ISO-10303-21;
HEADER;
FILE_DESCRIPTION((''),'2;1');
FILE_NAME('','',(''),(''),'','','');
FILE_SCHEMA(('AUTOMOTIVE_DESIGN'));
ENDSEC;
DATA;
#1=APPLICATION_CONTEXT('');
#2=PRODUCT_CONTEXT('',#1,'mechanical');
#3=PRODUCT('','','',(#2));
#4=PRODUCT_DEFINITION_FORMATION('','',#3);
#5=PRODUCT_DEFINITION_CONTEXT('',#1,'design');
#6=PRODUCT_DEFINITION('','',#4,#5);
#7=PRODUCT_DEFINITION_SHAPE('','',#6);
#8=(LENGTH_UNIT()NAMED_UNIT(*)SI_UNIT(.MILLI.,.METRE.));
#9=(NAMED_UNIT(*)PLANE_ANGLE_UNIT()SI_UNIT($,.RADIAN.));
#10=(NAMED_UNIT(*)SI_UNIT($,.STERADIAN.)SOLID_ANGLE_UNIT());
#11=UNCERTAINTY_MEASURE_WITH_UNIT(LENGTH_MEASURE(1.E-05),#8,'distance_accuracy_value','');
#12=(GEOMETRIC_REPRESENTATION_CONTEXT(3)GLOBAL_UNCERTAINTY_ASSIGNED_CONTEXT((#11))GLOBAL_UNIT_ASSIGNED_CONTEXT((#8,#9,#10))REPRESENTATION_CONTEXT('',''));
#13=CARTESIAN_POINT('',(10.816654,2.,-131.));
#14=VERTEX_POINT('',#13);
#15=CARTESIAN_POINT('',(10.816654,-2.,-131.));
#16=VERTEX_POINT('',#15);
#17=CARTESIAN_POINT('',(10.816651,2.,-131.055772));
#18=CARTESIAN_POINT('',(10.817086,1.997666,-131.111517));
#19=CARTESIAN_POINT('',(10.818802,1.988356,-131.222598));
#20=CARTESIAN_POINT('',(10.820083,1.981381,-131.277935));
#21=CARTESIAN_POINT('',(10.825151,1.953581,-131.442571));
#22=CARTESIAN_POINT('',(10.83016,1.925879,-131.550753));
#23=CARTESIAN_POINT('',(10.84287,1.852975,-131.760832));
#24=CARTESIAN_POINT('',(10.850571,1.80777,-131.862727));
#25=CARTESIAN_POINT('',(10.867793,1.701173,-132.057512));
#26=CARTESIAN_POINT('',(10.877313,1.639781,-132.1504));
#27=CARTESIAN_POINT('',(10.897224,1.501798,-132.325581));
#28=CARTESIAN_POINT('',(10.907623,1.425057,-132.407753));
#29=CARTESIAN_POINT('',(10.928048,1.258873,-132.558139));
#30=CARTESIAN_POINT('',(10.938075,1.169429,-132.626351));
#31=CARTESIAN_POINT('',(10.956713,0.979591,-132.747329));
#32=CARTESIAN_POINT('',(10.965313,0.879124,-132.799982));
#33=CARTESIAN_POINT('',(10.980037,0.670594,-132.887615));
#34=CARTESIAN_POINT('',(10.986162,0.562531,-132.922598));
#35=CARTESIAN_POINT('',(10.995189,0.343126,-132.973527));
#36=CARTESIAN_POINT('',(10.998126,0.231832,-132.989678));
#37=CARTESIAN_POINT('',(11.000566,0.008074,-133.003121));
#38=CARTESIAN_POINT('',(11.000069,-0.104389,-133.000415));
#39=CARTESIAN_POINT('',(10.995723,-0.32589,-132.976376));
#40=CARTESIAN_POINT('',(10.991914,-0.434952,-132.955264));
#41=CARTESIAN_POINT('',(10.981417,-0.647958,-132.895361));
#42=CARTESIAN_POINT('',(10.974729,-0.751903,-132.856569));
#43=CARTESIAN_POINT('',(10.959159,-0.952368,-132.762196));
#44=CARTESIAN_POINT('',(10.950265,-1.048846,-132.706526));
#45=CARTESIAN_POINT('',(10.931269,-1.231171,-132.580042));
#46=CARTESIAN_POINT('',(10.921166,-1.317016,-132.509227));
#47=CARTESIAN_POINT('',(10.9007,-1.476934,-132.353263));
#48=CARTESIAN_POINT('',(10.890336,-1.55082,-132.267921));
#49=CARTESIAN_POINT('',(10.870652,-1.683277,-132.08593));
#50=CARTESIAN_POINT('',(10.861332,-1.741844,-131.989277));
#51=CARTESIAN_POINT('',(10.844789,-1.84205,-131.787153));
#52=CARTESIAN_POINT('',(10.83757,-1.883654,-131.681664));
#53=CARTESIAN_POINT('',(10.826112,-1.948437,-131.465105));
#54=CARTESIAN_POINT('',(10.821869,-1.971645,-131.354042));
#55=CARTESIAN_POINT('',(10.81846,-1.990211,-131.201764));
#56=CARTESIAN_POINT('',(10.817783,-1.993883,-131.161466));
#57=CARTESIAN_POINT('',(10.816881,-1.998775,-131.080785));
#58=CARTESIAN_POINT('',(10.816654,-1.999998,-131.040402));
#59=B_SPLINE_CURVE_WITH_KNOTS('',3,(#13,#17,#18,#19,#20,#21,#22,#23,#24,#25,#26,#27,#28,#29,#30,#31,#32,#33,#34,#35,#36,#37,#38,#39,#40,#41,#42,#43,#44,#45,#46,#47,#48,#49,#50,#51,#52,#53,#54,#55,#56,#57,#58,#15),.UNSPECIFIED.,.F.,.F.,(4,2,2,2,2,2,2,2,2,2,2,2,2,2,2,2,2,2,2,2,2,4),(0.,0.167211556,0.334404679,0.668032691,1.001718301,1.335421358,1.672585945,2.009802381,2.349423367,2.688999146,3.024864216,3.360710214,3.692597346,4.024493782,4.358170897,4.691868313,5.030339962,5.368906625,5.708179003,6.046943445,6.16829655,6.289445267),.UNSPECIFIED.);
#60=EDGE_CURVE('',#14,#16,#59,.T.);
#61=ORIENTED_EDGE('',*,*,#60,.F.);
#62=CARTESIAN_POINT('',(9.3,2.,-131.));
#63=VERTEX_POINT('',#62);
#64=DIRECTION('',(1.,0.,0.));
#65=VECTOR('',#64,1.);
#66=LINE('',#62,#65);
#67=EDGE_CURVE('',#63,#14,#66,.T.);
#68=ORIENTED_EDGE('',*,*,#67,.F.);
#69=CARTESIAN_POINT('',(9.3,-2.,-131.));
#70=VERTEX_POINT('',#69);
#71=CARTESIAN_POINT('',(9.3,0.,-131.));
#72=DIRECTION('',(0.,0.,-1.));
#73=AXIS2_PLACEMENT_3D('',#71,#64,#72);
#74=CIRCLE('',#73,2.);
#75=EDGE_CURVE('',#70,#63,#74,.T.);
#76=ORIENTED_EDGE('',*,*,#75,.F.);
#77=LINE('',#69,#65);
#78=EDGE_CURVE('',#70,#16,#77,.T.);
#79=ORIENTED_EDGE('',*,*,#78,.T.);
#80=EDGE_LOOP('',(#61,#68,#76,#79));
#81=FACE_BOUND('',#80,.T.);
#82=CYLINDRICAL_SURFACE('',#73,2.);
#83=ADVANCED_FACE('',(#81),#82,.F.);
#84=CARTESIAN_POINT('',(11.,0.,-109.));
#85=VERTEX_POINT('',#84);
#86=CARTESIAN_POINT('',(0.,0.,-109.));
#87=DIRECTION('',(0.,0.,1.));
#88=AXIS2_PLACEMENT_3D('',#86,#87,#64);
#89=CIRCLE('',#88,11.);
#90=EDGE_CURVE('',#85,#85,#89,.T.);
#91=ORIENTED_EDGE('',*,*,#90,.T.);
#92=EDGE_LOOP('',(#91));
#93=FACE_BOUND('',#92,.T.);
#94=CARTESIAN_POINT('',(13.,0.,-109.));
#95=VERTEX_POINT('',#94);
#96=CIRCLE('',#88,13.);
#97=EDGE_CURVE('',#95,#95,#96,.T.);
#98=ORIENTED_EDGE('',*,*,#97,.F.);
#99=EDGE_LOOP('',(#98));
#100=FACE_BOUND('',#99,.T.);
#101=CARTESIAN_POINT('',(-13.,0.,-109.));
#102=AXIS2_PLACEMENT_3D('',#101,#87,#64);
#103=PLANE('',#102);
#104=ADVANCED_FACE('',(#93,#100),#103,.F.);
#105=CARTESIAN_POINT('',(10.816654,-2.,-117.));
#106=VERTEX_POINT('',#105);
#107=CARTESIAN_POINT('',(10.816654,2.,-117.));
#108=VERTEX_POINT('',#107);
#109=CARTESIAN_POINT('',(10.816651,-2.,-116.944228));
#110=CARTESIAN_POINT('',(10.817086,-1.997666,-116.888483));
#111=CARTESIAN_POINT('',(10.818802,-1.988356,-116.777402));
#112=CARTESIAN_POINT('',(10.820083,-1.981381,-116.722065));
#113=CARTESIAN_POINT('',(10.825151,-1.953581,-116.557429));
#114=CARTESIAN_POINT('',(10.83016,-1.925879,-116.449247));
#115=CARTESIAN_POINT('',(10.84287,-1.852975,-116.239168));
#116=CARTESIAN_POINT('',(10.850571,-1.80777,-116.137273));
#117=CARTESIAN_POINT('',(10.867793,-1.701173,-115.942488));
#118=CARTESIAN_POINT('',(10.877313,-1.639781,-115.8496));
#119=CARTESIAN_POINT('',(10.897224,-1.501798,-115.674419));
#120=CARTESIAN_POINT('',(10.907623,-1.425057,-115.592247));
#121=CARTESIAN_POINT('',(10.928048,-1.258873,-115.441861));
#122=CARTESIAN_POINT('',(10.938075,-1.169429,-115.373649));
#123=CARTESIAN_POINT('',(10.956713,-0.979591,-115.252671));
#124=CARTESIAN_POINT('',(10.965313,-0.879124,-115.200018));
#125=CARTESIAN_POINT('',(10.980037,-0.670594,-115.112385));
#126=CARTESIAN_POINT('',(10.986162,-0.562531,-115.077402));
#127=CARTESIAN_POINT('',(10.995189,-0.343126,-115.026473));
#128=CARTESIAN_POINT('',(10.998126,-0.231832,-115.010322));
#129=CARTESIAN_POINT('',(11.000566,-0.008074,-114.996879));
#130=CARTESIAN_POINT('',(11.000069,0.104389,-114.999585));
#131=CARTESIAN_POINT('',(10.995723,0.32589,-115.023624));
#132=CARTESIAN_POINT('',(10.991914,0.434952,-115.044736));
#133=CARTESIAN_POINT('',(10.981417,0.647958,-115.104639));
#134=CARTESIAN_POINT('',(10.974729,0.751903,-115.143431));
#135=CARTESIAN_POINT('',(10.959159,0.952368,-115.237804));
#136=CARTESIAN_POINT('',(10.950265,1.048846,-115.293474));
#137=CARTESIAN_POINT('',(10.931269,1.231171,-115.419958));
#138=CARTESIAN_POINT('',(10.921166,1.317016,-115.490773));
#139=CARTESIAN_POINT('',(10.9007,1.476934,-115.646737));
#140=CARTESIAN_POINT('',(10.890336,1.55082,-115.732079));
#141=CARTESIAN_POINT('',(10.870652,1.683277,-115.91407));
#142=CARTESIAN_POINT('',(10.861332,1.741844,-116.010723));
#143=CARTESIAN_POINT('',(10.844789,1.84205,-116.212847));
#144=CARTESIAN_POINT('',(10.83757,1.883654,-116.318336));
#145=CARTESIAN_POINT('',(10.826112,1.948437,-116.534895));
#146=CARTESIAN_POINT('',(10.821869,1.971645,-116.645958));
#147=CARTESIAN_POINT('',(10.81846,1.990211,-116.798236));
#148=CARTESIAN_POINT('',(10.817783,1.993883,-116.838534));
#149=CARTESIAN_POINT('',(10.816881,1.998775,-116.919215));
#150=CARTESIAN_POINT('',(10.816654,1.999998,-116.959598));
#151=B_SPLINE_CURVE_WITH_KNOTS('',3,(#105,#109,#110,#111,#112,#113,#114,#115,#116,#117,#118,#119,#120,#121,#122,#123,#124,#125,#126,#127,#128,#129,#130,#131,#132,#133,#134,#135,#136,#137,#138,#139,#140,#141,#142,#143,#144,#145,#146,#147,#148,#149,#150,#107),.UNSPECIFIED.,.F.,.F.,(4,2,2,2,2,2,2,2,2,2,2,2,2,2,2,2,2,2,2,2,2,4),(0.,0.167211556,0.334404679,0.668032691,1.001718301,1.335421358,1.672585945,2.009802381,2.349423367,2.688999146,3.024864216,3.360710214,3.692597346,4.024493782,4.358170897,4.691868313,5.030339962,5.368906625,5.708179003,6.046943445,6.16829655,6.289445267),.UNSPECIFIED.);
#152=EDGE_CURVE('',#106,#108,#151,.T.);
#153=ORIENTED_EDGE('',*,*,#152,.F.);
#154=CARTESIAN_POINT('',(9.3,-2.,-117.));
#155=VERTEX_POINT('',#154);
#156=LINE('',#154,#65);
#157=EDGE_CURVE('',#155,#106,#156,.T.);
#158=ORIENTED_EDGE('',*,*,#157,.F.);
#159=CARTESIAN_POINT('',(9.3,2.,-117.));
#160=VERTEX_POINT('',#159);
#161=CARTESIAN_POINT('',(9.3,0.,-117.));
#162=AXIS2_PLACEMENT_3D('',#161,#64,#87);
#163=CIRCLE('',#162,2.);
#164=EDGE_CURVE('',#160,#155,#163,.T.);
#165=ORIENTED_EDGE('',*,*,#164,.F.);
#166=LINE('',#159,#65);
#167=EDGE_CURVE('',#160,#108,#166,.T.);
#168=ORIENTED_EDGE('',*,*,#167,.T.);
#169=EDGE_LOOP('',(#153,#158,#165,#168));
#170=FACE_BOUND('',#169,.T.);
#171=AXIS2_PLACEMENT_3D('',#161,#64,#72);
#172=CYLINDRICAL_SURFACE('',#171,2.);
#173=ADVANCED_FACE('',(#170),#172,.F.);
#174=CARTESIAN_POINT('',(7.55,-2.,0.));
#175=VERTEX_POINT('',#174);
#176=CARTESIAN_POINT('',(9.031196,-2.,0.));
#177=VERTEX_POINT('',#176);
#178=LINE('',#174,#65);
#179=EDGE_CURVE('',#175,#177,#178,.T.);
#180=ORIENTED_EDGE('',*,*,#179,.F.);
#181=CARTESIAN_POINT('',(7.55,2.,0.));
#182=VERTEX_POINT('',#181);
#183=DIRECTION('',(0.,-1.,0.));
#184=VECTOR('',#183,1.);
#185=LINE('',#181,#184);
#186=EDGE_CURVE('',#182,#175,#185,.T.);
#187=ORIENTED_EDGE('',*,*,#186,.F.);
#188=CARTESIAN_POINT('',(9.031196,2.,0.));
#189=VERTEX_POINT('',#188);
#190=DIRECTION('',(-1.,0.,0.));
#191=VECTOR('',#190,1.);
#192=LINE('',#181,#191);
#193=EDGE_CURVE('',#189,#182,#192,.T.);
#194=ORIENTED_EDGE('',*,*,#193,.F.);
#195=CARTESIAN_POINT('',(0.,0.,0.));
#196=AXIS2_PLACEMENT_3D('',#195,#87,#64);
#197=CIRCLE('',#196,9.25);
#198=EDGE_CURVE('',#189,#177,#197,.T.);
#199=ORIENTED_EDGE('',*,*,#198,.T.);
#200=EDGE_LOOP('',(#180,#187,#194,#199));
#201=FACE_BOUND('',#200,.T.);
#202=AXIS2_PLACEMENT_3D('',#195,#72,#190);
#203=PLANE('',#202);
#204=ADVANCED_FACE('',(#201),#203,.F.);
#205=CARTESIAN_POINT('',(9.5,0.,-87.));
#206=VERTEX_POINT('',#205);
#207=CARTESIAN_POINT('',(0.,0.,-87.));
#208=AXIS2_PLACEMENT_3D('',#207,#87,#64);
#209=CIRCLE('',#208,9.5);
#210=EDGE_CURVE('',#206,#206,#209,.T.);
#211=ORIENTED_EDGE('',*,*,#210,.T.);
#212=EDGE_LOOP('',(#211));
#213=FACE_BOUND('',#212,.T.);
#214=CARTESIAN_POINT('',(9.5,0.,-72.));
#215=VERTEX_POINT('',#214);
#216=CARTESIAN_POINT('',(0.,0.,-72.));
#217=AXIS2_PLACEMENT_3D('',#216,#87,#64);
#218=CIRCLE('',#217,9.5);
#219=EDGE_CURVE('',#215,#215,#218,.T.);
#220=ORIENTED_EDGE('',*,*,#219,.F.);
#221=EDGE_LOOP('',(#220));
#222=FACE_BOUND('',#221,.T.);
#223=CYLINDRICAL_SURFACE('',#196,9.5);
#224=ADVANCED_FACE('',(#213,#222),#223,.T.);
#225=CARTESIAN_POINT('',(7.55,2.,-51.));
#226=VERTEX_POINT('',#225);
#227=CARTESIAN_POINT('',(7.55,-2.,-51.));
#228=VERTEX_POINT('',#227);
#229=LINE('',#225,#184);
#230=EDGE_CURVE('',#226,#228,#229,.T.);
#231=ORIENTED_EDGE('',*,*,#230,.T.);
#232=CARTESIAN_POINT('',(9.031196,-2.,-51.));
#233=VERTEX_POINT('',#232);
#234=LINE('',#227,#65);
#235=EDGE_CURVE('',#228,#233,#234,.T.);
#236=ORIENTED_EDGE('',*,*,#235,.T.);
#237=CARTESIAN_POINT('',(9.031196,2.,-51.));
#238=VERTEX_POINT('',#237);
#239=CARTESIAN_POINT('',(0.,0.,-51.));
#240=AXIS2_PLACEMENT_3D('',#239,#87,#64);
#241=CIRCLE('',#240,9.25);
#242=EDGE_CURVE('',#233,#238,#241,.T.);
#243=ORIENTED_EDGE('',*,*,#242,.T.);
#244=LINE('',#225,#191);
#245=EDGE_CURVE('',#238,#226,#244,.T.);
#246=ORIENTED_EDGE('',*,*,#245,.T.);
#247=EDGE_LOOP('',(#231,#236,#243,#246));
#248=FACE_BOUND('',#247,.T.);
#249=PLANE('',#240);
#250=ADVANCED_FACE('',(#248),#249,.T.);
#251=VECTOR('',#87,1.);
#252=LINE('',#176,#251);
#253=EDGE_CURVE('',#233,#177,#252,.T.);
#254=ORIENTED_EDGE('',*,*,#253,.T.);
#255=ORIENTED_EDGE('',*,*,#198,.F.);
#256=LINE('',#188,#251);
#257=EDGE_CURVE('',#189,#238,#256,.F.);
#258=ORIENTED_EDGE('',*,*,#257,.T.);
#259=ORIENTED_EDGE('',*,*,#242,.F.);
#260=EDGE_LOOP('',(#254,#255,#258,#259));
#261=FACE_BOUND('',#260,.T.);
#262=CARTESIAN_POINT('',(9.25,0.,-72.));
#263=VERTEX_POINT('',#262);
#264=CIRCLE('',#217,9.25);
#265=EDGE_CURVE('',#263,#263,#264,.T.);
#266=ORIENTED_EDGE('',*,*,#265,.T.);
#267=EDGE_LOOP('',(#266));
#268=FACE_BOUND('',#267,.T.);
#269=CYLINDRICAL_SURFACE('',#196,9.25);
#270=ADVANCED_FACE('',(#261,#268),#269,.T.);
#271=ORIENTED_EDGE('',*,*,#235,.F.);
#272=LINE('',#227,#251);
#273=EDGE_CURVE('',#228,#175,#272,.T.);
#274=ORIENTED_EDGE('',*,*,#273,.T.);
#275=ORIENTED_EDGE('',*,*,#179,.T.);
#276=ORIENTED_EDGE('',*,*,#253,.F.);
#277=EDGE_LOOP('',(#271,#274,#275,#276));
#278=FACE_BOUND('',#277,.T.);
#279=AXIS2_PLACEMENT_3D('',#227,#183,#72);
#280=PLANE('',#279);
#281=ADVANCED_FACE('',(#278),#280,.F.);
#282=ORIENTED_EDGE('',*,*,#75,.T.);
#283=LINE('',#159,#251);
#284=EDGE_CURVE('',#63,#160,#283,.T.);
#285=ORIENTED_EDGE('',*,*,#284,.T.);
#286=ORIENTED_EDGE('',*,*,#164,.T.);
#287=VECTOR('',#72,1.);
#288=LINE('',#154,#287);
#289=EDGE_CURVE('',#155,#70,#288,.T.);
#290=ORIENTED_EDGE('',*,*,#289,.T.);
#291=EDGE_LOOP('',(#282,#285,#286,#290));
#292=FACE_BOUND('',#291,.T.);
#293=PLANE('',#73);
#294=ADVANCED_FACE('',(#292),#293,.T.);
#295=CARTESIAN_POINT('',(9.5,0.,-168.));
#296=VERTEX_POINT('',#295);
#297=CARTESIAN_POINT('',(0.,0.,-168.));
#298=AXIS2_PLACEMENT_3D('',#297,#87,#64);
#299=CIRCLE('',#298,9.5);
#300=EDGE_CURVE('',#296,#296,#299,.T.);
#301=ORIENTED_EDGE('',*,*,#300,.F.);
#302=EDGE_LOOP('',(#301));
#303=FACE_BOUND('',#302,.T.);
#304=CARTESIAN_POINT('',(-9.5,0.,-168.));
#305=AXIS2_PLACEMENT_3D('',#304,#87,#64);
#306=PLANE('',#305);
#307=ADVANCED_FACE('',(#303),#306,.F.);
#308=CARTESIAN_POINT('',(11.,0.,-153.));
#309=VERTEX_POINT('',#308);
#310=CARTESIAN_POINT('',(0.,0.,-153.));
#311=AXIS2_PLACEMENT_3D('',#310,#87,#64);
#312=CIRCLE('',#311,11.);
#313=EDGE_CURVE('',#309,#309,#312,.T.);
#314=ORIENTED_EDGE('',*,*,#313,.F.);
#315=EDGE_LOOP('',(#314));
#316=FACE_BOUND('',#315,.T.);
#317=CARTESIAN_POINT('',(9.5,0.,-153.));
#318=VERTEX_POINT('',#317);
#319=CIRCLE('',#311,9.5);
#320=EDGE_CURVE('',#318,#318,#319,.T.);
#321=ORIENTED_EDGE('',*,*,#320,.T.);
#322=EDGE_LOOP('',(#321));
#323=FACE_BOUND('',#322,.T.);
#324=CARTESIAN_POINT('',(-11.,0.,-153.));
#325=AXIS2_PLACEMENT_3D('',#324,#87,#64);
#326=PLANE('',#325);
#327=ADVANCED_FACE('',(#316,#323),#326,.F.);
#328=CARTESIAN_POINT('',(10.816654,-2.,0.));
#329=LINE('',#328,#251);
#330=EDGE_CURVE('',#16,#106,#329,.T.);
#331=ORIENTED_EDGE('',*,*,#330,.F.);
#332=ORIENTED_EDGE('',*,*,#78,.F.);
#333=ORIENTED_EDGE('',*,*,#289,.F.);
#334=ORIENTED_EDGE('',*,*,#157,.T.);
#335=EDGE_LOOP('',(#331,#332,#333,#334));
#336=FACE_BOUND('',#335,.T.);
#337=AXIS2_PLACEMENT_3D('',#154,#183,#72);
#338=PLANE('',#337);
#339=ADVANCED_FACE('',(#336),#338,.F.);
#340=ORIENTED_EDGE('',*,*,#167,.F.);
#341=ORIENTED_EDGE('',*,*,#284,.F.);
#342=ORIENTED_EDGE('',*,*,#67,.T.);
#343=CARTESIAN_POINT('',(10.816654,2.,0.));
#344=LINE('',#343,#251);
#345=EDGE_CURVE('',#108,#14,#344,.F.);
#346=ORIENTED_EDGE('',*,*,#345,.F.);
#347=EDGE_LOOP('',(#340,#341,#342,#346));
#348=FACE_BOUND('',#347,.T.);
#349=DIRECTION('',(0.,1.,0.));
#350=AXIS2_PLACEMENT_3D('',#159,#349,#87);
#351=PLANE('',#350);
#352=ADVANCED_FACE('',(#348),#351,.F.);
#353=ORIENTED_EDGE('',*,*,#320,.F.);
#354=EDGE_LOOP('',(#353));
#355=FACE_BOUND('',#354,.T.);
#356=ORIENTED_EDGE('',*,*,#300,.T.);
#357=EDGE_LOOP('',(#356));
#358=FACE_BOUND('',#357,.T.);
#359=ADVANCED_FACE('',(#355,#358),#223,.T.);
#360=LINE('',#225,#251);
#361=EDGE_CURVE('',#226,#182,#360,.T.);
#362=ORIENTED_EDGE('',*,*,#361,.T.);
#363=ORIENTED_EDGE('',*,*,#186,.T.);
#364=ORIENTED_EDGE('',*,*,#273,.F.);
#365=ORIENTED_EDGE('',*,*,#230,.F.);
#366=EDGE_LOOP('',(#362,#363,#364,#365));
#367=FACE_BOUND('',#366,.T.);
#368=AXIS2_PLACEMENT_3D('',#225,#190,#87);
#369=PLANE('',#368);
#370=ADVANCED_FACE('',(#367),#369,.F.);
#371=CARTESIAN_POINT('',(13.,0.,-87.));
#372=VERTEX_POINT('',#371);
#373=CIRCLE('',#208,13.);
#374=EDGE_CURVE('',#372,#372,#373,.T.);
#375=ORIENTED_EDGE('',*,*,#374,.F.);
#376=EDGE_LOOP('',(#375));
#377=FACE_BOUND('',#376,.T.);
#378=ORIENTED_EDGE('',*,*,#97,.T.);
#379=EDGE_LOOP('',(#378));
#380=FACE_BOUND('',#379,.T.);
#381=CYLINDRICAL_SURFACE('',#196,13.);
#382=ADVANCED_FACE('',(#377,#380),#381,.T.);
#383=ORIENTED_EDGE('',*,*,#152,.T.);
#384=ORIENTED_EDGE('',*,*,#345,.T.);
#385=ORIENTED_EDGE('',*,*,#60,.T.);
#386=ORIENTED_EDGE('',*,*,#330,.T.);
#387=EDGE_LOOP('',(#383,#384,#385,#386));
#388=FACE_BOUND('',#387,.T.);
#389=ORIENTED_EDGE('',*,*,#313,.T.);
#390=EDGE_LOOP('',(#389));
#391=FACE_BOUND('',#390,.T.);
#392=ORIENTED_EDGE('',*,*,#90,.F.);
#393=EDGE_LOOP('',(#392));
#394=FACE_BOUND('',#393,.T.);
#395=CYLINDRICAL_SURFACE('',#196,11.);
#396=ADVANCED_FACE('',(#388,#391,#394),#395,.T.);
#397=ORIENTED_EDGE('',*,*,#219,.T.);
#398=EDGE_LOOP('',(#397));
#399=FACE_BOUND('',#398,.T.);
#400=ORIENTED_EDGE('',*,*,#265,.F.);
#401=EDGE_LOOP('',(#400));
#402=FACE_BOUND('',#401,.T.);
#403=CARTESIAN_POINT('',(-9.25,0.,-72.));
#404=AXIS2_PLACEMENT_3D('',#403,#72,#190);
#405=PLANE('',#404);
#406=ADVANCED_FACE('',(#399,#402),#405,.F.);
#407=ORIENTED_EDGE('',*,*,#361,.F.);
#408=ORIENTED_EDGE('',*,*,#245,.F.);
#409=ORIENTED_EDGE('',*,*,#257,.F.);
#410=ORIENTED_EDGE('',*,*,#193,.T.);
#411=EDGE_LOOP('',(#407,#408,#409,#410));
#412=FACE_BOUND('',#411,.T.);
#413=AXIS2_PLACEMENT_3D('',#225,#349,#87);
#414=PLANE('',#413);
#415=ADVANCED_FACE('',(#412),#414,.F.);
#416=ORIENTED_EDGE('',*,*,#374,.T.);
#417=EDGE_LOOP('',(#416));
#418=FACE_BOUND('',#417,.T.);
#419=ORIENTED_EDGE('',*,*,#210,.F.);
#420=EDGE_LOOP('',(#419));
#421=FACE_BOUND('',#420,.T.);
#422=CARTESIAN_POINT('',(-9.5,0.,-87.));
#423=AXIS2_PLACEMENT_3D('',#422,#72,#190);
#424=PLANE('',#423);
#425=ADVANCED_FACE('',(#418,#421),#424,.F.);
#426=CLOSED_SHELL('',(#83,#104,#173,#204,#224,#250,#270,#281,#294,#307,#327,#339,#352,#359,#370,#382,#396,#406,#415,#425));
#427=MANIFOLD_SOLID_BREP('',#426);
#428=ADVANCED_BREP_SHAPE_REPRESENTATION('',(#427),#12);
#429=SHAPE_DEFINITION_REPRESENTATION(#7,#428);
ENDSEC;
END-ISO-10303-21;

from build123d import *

# Parameters (mm, degrees)
SKETCH3_W          = 4.079746654
SKETCH3_H          = 4
CUT_EXTRUDE1_DEPTH = 51
CUT_EXTRUDE2_START = 11
CUT_EXTRUDE2_DEPTH = 1.7


with BuildPart() as part:
    # Sketch2 → Revolve1 (revolve)
    with BuildSketch(Plane(origin=(0, 0, 0), x_dir=(1, 0, 0), z_dir=(0, 1, 0)), mode=Mode.PRIVATE) as revolve1_sk:
        Polygon((0, 0), (-9.25, 0), (-9.25, 72), (-9.5, 72), (-9.5, 87), (-13, 87), (-13, 109), (-11, 109), (-11, 153), (-9.5, 153), (-9.5, 168), (0, 168), align=None)
    revolve(revolve1_sk.sketch.rotate(Axis((0, 0, 0), (0, 0, -1)), 180), axis=Axis((0, 0, 0), (0, 0, -1)))

    # Sketch3 → Cut-Extrude1 (cut)
    with BuildSketch(Plane.XY):
        with Locations((9.589873327, 0)):
            Rectangle(SKETCH3_W, SKETCH3_H)
    extrude(amount=-CUT_EXTRUDE1_DEPTH, mode=Mode.SUBTRACT)

    # Sketch4 → Cut-Extrude2 (cut)
    with BuildSketch(Plane(origin=(0, 0, 0), x_dir=(0, 0, -1), z_dir=(1, 0, 0)).offset(CUT_EXTRUDE2_START)):
        with BuildLine():
            Line((117, 2), (131, 2))
            ThreePointArc((131, 2), (133, 0), (131, -2))
            Line((131, -2), (117, -2))
            ThreePointArc((117, -2), (115, 0), (117, 2))
        make_face()
    extrude(amount=-CUT_EXTRUDE2_DEPTH, mode=Mode.SUBTRACT)


solid = part.part
